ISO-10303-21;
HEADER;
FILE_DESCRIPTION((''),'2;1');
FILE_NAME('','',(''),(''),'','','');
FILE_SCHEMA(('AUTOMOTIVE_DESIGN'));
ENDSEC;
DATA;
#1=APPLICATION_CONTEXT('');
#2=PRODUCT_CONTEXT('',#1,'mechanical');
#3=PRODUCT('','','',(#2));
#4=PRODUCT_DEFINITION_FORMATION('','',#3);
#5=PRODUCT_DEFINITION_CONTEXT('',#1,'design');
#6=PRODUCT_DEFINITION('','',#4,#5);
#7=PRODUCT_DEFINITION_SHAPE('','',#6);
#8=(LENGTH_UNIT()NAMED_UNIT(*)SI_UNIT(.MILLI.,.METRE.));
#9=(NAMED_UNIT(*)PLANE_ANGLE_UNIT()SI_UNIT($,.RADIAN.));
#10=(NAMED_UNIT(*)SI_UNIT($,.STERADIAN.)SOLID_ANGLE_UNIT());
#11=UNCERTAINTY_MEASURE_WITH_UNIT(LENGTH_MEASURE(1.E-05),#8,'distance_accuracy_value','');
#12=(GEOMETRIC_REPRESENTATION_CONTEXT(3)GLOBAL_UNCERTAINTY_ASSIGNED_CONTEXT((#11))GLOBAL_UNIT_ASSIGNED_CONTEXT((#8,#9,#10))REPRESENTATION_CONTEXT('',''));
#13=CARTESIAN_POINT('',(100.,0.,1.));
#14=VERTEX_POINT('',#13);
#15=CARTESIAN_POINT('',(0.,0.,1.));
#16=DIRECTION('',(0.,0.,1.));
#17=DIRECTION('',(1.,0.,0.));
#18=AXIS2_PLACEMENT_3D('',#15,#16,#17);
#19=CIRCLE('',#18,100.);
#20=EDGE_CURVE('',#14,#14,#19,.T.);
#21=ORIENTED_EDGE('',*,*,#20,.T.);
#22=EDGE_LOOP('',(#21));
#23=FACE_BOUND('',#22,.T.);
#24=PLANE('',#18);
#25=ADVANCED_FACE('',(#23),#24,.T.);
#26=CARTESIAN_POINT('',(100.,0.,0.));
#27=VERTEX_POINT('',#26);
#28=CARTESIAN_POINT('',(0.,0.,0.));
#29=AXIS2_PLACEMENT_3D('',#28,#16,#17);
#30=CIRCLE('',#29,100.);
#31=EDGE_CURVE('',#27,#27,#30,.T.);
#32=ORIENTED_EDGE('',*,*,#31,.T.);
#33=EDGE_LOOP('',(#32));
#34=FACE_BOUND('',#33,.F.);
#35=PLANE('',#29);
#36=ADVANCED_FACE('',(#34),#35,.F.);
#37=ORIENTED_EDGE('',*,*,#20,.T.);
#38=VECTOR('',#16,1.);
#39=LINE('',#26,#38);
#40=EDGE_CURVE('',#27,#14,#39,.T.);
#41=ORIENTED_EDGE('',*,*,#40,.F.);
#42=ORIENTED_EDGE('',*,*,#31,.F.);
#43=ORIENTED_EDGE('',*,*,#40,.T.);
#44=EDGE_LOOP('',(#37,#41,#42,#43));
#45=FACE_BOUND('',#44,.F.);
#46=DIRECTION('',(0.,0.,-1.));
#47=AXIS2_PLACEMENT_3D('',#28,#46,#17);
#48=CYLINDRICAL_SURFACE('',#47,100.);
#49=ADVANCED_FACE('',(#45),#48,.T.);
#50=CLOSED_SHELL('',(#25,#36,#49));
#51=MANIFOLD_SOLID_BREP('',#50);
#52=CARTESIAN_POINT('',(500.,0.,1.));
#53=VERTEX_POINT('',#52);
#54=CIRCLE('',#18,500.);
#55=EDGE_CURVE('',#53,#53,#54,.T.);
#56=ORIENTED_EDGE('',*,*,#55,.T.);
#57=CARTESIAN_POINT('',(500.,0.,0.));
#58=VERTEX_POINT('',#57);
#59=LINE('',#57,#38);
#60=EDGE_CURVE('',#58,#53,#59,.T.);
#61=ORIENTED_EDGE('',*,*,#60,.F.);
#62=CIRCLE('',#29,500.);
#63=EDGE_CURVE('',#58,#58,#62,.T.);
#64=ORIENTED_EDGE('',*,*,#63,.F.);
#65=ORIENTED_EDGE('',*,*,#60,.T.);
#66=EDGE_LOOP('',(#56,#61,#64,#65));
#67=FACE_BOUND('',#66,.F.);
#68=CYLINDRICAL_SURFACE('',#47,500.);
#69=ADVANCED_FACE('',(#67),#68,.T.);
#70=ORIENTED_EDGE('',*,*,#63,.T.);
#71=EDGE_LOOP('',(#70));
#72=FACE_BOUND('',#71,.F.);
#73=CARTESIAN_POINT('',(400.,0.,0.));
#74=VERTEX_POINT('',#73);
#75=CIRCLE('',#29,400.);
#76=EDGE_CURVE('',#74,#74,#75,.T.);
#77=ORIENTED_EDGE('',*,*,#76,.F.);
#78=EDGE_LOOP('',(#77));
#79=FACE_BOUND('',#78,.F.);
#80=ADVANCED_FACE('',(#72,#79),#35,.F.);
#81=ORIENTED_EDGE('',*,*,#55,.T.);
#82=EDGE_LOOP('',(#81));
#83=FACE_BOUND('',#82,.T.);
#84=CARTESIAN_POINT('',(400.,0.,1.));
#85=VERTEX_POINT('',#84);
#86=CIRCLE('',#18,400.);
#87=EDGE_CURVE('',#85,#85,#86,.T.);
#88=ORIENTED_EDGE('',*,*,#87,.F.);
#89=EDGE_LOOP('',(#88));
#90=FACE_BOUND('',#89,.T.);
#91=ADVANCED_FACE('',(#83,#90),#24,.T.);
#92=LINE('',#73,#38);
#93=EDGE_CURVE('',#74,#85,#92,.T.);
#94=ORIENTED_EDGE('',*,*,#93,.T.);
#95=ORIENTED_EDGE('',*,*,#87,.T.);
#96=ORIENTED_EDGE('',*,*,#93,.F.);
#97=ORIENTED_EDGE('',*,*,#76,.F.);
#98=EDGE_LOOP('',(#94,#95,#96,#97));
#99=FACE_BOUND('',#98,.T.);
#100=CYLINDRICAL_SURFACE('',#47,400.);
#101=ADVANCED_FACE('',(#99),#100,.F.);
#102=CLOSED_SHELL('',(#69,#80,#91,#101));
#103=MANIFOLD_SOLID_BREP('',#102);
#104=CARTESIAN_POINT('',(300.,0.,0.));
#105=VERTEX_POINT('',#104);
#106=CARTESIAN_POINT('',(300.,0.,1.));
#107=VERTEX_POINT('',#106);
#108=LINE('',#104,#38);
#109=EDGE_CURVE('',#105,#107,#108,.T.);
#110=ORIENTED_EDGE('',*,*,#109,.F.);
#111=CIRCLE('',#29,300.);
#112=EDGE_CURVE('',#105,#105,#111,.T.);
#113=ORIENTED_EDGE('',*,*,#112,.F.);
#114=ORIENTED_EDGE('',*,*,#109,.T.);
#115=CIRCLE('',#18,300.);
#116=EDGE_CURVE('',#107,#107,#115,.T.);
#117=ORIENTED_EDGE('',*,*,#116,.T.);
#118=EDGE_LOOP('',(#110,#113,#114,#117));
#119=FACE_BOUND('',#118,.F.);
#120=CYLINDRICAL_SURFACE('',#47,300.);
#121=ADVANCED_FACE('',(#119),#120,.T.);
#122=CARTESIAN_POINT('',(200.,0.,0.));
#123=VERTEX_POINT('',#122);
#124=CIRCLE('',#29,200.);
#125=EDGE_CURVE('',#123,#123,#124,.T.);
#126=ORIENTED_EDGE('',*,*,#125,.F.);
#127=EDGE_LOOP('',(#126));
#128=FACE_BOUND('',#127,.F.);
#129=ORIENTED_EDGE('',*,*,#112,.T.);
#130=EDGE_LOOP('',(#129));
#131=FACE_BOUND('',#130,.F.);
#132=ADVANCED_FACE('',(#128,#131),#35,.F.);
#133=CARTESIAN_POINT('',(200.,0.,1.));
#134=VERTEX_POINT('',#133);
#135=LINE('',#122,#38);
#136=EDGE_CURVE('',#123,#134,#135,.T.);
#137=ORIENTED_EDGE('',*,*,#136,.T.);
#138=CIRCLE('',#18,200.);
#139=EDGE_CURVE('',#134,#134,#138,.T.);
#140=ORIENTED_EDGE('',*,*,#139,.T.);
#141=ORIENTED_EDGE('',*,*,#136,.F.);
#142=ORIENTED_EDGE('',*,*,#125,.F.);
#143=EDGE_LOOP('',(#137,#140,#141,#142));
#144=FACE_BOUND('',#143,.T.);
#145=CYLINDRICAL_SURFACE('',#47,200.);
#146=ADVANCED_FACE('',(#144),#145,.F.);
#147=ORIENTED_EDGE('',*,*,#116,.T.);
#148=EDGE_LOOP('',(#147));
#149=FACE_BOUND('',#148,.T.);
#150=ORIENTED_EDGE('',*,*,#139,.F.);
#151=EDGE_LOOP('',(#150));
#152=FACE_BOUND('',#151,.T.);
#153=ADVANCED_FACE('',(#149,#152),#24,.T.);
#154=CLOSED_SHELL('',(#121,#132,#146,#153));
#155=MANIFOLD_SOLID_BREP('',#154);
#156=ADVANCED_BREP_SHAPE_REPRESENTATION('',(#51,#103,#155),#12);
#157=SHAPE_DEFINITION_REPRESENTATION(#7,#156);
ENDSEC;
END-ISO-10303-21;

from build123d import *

# Parameters (mm, degrees)
F0_R     = 500
F0_R_2   = 400
F1_DEPTH = 1
F2_R     = 300
F2_R_2   = 200
F3_DEPTH = 1
F4_R     = 100
F5_DEPTH = 1


with BuildPart() as f1:
    # F0 (on Top) → F1 (new body)
    with BuildSketch(Plane.XY):
        Circle(F0_R)
        Circle(F0_R_2, mode=Mode.SUBTRACT)
    extrude(amount=F1_DEPTH)


with BuildPart() as f3:
    # F2 (on Top) → F3 (new body)
    with BuildSketch(Plane.XY):
        Circle(F2_R)
        Circle(F2_R_2, mode=Mode.SUBTRACT)
    extrude(amount=F3_DEPTH)


with BuildPart() as f5:
    # F4 (on Top) → F5 (new body)
    with BuildSketch(Plane.XY):
        Circle(F4_R)
    extrude(amount=F5_DEPTH)


solid = Compound([f1.part, f3.part, f5.part])
